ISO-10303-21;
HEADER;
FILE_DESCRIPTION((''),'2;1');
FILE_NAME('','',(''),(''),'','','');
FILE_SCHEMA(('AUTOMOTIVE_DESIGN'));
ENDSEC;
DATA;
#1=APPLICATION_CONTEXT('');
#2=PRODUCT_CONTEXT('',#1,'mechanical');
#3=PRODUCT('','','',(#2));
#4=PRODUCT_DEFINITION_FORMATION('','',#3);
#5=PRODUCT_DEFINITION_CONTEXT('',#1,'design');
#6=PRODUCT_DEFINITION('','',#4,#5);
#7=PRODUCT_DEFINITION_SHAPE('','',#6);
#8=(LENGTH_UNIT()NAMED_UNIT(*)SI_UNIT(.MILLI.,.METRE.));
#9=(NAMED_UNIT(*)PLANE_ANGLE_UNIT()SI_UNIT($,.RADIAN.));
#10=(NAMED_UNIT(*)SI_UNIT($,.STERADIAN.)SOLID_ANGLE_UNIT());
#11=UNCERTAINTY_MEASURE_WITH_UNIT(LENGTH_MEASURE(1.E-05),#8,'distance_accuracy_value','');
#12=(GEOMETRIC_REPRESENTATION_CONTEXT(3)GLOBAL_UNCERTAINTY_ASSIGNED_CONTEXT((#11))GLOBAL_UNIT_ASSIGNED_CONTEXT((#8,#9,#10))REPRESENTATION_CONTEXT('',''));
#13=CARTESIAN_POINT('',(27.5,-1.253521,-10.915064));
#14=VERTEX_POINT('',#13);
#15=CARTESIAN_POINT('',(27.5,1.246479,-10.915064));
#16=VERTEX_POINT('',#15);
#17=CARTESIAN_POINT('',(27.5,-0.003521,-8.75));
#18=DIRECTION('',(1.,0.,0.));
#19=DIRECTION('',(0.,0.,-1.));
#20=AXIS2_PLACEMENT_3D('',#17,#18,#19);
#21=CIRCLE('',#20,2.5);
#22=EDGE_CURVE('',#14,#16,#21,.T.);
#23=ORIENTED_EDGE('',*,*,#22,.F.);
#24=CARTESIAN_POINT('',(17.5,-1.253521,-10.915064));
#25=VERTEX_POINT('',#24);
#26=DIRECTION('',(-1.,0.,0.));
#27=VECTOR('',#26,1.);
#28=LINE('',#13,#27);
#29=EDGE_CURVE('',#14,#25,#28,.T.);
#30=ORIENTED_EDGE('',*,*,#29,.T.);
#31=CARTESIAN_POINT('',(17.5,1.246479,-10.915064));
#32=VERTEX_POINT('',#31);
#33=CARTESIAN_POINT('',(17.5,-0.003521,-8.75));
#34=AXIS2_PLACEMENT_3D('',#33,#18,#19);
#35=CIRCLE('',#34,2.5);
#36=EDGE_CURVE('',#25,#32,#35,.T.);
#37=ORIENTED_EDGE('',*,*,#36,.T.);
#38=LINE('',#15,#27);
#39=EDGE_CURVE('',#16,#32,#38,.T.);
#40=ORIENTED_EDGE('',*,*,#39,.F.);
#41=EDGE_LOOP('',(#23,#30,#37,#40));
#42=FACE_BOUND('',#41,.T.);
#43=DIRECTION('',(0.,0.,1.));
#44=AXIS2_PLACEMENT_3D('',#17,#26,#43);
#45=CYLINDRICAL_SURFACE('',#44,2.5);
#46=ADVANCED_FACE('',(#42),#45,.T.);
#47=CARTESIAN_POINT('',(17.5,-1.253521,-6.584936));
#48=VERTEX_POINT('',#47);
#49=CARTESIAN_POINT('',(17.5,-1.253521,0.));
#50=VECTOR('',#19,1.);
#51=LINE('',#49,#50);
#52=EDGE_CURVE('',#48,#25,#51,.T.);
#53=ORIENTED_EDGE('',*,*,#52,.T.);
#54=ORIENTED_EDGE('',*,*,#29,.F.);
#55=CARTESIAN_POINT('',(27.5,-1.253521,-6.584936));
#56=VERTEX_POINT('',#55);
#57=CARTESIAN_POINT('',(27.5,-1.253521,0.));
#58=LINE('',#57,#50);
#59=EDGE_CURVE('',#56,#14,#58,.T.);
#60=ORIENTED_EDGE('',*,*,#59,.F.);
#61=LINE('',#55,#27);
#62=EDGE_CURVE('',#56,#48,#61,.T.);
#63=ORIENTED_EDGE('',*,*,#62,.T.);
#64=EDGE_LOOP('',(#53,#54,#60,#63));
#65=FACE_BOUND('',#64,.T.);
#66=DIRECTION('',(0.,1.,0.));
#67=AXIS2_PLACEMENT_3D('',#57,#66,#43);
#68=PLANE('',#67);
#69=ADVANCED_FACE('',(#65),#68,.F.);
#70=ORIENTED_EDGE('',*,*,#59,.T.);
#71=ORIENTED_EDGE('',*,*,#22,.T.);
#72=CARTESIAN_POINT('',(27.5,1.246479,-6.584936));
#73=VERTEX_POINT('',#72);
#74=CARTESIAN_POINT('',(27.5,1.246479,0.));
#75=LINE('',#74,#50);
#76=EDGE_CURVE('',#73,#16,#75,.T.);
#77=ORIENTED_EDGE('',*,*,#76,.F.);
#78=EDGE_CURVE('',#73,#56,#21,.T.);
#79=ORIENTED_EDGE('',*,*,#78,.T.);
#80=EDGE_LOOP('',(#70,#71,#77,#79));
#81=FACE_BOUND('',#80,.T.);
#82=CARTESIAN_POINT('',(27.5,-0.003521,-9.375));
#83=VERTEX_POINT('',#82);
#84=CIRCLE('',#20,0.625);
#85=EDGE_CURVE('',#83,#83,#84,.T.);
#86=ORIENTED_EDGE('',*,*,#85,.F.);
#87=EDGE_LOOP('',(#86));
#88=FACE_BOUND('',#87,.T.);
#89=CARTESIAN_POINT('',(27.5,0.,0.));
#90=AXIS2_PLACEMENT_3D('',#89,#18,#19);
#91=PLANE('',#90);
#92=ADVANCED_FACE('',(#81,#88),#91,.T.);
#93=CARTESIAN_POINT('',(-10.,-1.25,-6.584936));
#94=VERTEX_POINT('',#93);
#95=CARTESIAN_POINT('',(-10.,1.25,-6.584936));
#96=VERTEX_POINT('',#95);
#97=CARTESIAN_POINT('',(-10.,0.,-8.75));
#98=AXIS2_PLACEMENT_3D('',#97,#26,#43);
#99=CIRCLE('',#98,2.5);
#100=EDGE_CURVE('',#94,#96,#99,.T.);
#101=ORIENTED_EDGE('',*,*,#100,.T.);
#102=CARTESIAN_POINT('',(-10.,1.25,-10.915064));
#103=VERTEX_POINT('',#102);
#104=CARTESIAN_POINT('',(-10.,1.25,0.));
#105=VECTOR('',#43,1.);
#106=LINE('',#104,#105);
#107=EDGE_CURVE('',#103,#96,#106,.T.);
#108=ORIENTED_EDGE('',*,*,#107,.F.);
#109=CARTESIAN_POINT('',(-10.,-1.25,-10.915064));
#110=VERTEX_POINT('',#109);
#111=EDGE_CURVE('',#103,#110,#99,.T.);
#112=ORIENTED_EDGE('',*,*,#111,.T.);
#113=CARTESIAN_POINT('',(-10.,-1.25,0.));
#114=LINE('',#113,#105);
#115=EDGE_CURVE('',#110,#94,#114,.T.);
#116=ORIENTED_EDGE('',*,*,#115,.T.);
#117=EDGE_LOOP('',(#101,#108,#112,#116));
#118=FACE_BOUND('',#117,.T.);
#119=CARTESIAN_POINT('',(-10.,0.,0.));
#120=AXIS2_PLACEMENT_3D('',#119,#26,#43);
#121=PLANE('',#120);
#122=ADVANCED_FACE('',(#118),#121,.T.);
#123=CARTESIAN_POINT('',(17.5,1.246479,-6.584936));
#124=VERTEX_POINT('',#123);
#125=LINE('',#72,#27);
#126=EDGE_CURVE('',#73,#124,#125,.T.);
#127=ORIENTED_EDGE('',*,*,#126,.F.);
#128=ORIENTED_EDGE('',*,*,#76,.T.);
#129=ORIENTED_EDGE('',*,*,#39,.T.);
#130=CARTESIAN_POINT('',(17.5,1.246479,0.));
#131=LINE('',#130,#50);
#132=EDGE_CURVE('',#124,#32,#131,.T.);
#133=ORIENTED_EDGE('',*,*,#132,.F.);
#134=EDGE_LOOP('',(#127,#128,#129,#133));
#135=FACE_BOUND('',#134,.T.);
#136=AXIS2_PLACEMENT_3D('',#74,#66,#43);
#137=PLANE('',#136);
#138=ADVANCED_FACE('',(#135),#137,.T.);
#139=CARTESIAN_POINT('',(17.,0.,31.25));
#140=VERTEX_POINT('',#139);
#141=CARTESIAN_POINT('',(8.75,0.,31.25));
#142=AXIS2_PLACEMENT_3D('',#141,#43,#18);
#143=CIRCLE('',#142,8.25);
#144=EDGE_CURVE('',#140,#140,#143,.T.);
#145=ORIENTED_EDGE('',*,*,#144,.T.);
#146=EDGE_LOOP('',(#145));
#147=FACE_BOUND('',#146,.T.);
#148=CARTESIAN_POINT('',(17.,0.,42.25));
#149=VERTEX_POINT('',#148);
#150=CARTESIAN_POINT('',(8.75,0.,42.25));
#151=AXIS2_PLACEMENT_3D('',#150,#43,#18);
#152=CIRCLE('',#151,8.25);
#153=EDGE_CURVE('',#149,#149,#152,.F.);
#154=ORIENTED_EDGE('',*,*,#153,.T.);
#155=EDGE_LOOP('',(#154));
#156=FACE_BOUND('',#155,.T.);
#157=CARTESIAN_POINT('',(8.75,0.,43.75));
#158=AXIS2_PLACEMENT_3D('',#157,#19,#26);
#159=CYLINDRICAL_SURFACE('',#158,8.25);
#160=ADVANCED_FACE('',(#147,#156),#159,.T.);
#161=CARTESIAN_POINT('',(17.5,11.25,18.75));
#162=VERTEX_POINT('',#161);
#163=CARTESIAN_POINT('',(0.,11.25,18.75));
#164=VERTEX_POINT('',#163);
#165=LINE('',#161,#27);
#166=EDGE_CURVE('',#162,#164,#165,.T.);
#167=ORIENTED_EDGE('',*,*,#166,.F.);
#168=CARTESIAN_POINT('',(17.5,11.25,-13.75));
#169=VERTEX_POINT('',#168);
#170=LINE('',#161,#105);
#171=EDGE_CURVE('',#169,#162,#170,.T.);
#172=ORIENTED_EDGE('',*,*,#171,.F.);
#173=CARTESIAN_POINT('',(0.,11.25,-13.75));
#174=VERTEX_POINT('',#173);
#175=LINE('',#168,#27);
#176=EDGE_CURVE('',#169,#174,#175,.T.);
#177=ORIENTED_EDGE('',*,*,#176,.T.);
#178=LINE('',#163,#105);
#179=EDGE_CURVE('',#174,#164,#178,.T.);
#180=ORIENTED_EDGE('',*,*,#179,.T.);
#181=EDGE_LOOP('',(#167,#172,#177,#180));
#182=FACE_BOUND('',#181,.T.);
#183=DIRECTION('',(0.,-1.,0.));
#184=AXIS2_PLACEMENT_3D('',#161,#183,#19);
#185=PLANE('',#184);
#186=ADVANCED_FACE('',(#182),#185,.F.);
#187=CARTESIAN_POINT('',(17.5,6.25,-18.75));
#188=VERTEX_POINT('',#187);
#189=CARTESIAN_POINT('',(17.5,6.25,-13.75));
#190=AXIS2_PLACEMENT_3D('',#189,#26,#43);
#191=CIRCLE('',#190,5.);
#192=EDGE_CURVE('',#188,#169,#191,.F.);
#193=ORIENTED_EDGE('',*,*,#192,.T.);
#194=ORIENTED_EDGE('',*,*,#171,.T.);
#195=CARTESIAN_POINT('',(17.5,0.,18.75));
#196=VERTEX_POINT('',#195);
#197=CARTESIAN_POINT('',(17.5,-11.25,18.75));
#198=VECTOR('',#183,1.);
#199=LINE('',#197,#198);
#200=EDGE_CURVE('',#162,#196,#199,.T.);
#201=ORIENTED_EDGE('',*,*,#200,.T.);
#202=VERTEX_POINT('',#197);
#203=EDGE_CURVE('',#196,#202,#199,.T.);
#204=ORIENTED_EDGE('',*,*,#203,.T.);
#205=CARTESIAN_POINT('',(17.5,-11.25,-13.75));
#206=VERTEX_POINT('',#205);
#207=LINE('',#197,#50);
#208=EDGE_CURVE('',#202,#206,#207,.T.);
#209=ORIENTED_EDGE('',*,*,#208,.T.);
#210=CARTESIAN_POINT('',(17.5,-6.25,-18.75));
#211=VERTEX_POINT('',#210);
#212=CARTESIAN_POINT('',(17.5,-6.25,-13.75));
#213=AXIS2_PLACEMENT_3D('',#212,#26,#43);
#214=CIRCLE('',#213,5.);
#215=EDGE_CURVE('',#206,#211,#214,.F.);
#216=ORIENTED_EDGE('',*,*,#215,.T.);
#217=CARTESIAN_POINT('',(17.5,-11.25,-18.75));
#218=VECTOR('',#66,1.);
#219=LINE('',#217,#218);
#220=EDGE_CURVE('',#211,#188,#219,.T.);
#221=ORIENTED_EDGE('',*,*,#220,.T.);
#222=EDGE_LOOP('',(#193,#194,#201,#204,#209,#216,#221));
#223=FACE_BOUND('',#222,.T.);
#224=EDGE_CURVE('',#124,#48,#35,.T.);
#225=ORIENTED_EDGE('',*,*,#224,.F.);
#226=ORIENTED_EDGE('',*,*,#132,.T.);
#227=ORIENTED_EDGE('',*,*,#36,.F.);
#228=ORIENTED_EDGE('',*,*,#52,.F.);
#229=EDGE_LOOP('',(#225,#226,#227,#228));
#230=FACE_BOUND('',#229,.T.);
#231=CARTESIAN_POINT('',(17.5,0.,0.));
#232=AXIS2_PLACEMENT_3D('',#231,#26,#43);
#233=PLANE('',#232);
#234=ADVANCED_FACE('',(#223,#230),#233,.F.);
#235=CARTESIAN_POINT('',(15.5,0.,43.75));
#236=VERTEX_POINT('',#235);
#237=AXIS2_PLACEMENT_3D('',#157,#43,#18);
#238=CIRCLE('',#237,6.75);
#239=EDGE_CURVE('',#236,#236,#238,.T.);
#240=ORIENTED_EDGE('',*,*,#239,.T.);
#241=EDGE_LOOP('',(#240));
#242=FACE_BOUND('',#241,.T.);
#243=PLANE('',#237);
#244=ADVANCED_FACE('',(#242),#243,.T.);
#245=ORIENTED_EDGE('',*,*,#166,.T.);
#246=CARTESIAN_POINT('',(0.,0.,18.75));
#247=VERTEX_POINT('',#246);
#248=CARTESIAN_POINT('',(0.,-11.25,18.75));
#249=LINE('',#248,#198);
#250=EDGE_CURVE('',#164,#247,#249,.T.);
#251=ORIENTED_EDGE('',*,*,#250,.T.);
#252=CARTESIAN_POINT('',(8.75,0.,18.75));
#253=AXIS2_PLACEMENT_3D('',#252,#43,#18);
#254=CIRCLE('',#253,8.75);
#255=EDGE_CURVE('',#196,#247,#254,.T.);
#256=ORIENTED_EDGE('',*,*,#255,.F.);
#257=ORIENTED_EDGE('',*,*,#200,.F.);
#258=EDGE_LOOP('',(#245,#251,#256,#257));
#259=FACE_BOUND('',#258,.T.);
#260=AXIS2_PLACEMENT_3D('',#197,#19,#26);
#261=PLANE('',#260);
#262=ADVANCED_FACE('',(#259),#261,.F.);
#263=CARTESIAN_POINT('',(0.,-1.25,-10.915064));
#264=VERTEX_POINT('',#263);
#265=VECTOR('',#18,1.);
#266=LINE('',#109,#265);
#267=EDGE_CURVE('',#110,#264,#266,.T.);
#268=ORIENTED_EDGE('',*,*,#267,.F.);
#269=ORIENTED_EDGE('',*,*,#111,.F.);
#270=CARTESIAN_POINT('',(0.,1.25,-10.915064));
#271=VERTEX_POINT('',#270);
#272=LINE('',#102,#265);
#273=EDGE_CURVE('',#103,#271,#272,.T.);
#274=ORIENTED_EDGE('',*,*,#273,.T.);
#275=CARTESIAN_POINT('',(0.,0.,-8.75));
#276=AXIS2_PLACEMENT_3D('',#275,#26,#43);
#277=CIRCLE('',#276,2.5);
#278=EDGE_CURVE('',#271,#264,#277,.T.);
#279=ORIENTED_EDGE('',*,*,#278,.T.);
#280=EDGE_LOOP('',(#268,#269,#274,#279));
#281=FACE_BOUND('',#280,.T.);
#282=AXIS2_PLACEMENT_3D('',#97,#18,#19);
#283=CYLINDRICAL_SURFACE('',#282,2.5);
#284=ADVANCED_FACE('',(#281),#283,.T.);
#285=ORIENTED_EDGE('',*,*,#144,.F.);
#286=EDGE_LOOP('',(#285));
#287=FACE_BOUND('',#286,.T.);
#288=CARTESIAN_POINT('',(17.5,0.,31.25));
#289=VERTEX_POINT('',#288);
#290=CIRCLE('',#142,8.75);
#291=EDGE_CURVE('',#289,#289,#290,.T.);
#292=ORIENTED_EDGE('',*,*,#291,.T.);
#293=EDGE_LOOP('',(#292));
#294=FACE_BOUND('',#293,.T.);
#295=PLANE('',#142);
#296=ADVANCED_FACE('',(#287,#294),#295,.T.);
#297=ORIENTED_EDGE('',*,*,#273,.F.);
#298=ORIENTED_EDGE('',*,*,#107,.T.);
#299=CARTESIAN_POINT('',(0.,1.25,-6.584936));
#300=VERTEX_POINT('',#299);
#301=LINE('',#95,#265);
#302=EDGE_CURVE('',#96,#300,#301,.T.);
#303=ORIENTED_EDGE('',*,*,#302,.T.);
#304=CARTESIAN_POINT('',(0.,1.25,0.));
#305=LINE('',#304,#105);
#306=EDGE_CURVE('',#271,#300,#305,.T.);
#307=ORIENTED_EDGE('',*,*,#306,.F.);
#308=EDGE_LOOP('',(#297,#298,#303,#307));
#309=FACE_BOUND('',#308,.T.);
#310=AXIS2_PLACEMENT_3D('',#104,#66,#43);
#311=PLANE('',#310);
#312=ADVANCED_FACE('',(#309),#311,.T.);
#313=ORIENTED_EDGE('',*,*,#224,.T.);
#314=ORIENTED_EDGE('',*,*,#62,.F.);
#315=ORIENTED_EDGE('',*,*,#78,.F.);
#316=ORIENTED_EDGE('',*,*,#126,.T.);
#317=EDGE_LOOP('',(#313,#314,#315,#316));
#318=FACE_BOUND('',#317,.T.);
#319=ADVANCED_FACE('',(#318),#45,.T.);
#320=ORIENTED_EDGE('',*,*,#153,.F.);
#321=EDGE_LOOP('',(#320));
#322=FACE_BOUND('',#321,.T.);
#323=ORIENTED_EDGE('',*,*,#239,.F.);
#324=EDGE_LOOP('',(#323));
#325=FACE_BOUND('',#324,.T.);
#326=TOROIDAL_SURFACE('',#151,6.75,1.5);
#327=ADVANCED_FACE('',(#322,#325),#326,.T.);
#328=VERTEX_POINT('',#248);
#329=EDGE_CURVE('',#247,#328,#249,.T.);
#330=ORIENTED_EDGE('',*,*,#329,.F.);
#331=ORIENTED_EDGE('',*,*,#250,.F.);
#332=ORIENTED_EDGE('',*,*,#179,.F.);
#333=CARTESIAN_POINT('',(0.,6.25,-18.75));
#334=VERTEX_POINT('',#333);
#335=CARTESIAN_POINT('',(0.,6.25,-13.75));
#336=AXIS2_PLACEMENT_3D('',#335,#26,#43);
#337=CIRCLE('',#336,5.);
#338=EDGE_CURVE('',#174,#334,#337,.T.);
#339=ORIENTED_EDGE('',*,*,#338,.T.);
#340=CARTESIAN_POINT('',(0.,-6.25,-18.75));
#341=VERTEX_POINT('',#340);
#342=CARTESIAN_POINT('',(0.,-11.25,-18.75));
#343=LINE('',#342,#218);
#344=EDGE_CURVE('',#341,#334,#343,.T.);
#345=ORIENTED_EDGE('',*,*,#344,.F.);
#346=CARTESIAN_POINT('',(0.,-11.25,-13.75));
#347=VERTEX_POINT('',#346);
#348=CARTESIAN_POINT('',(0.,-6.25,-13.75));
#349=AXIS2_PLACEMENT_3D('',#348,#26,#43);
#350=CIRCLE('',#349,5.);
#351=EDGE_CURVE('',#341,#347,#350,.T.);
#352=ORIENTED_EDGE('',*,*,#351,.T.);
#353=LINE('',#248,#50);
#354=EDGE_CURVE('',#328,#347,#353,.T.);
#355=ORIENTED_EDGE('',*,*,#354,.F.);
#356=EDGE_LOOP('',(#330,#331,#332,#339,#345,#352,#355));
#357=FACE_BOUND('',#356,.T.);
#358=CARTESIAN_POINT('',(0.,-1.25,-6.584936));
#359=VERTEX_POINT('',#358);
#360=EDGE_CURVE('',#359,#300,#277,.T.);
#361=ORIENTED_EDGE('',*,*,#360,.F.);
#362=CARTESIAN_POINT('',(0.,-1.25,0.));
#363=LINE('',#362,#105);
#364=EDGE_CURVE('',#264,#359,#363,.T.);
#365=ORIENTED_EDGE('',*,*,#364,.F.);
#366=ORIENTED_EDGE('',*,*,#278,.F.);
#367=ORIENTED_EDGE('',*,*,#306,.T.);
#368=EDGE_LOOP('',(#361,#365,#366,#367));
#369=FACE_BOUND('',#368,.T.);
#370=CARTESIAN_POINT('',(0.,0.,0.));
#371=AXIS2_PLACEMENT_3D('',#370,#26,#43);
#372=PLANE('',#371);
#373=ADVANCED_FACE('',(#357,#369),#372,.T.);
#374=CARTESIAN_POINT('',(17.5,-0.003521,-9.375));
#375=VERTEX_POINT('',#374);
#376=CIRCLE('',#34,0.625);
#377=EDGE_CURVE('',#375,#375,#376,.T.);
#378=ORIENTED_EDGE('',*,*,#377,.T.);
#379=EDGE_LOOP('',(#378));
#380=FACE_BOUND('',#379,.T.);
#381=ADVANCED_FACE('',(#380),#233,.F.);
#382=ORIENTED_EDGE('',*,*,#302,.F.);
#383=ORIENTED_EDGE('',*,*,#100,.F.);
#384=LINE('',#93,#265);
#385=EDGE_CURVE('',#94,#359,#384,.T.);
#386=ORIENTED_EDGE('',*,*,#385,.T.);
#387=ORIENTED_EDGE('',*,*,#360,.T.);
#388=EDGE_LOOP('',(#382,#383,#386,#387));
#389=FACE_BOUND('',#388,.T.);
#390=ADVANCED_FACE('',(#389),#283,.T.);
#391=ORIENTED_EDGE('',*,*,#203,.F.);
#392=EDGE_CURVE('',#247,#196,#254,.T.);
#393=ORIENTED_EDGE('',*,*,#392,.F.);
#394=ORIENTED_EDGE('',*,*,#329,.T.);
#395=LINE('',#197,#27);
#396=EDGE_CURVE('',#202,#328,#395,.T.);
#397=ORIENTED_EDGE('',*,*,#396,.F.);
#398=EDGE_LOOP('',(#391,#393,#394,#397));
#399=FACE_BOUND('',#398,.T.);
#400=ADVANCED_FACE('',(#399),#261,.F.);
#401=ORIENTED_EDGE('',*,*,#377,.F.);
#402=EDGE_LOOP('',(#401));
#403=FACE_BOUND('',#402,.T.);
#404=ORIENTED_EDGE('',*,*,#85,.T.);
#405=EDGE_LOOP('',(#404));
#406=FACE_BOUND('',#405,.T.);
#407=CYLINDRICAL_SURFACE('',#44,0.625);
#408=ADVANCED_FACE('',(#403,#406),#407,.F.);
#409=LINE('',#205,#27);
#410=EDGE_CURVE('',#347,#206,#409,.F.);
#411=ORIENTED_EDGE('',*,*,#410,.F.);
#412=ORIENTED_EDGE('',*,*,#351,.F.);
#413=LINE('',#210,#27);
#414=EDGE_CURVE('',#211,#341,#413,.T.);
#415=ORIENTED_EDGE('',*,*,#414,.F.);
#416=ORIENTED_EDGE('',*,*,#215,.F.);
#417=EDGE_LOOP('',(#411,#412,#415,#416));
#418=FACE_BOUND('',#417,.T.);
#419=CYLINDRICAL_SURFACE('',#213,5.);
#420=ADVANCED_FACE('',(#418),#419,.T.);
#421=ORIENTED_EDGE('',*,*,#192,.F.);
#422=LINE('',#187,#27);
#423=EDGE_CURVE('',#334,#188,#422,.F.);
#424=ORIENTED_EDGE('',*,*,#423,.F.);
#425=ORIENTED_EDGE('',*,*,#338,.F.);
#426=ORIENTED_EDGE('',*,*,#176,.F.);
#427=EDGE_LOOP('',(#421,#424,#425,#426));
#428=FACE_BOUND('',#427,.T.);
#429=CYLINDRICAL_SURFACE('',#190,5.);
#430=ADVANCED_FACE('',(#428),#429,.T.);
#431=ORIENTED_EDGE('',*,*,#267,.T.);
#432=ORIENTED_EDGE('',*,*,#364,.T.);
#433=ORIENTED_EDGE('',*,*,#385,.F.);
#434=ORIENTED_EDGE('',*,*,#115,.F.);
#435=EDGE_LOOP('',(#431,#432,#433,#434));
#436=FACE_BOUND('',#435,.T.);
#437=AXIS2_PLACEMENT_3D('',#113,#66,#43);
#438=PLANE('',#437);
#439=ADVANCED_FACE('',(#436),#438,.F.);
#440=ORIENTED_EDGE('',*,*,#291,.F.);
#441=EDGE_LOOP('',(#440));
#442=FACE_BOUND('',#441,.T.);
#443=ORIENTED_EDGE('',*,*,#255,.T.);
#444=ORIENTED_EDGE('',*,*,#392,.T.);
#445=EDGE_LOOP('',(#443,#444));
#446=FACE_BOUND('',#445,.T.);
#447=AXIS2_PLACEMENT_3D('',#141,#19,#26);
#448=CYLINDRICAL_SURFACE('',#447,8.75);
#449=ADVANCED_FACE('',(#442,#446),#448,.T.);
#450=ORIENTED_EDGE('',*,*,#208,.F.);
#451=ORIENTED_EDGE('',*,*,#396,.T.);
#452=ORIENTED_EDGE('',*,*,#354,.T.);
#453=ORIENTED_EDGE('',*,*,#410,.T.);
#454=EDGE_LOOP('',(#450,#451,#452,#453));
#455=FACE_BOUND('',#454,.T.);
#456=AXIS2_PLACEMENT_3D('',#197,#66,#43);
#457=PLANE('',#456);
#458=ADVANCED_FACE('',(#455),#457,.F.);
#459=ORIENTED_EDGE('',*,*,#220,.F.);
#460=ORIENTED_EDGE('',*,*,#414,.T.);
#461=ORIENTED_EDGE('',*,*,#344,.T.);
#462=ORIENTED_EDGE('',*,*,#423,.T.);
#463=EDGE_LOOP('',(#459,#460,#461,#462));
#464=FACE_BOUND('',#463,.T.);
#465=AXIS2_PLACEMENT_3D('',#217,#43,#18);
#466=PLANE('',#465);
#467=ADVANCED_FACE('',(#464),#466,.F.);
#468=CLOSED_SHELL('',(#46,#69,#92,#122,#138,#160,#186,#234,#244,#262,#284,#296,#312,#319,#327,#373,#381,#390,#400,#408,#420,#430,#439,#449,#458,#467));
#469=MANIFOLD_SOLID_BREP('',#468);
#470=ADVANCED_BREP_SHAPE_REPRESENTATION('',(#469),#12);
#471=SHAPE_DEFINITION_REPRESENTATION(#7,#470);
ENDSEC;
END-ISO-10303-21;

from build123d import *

# Parameters (mm, degrees)
SKETCH1_W           = 37.5
SKETCH1_H           = 22.5
BOSS_EXTRUDE2_DEPTH = 17.5
SKETCH2_R           = 0.625
BOSS_EXTRUDE3_DEPTH = 10
SKETCH3_R           = 8.75
BOSS_EXTRUDE4_DEPTH = 12.5
SKETCH4_R           = 8.25
BOSS_EXTRUDE5_DEPTH = 12.5
FILLET2_R           = 1.5
FILLET3_R           = 5
BOSS_EXTRUDE6_DEPTH = 10


with BuildPart() as part:
    # Sketch1 → Boss-Extrude2 (new body)
    with BuildSketch(Plane(origin=(0, 0, 0), x_dir=(0, 0, -1), z_dir=(1, 0, 0))):
        Rectangle(SKETCH1_W, SKETCH1_H)
    extrude(amount=BOSS_EXTRUDE2_DEPTH)

    # Sketch2 → Boss-Extrude3 (add)
    with BuildSketch(Plane(origin=(17.5, 0, 0), x_dir=(0, 0, -1), z_dir=(1, 0, 0))):
        with BuildLine():
            Line((10.915063509, 1.246479188), (6.584936491, 1.246479188))
            ThreePointArc((6.584936491, 1.246479188), (6.25, -0.003520812), (6.584936491, -1.253520812))
            Line((6.584936491, -1.253520812), (10.915063509, -1.253520812))
            ThreePointArc((10.915063509, -1.253520812), (11.25, -0.003520812), (10.915063509, 1.246479188))
        make_face()
        with Locations((8.75, -0.003520812)):
            Circle(SKETCH2_R, mode=Mode.SUBTRACT)
    extrude(amount=BOSS_EXTRUDE3_DEPTH)

    # Sketch3 → Boss-Extrude4 (add)
    with BuildSketch(Plane.XY.offset(18.75)):
        with Locations((8.75, 0)):
            Circle(SKETCH3_R)
    extrude(amount=BOSS_EXTRUDE4_DEPTH)

    # Sketch4 → Boss-Extrude5 (add)
    with BuildSketch(Plane.XY.offset(31.25)):
        with Locations((8.75, 0)):
            Circle(SKETCH4_R)
    extrude(amount=BOSS_EXTRUDE5_DEPTH)

    # Fillet2
    fillet2_edges = [part.edges().sort_by_distance(p)[0] for p in [
        (0.5, 0, 43.75),
    ]]
    fillet(fillet2_edges, radius=FILLET2_R)

    # Fillet3
    fillet3_edges = [part.edges().sort_by_distance(p)[0] for p in [
        (8.75, -11.25, -18.75),
        (8.75, 11.25, -18.75),
    ]]
    fillet(fillet3_edges, radius=FILLET3_R)

    # Sketch5 → Boss-Extrude6 (add)
    with BuildSketch(Plane.ZY):
        with BuildLine():
            ThreePointArc((-10.915063509, 1.25), (-11.164814566, 0.647047613), (-11.25, 0))
            Line((-11.25, 0), (-8.75, 0))
            Line((-8.75, 0), (-6.25, 0))
            ThreePointArc((-6.25, 0), (-6.335185434, 0.647047613), (-6.584936491, 1.25))
            Line((-6.584936491, 1.25), (-10.915063509, 1.25))
        make_face()
        with BuildLine():
            Line((-8.75, 0), (-11.25, 0))
            ThreePointArc((-11.25, 0), (-11.164814566, -0.647047613), (-10.915063509, -1.25))
            Line((-10.915063509, -1.25), (-6.584936491, -1.25))
            ThreePointArc((-6.584936491, -1.25), (-6.335185434, -0.647047613), (-6.25, 0))
            Line((-6.25, 0), (-8.75, 0))
        make_face()
    extrude(amount=BOSS_EXTRUDE6_DEPTH)


solid = part.part
